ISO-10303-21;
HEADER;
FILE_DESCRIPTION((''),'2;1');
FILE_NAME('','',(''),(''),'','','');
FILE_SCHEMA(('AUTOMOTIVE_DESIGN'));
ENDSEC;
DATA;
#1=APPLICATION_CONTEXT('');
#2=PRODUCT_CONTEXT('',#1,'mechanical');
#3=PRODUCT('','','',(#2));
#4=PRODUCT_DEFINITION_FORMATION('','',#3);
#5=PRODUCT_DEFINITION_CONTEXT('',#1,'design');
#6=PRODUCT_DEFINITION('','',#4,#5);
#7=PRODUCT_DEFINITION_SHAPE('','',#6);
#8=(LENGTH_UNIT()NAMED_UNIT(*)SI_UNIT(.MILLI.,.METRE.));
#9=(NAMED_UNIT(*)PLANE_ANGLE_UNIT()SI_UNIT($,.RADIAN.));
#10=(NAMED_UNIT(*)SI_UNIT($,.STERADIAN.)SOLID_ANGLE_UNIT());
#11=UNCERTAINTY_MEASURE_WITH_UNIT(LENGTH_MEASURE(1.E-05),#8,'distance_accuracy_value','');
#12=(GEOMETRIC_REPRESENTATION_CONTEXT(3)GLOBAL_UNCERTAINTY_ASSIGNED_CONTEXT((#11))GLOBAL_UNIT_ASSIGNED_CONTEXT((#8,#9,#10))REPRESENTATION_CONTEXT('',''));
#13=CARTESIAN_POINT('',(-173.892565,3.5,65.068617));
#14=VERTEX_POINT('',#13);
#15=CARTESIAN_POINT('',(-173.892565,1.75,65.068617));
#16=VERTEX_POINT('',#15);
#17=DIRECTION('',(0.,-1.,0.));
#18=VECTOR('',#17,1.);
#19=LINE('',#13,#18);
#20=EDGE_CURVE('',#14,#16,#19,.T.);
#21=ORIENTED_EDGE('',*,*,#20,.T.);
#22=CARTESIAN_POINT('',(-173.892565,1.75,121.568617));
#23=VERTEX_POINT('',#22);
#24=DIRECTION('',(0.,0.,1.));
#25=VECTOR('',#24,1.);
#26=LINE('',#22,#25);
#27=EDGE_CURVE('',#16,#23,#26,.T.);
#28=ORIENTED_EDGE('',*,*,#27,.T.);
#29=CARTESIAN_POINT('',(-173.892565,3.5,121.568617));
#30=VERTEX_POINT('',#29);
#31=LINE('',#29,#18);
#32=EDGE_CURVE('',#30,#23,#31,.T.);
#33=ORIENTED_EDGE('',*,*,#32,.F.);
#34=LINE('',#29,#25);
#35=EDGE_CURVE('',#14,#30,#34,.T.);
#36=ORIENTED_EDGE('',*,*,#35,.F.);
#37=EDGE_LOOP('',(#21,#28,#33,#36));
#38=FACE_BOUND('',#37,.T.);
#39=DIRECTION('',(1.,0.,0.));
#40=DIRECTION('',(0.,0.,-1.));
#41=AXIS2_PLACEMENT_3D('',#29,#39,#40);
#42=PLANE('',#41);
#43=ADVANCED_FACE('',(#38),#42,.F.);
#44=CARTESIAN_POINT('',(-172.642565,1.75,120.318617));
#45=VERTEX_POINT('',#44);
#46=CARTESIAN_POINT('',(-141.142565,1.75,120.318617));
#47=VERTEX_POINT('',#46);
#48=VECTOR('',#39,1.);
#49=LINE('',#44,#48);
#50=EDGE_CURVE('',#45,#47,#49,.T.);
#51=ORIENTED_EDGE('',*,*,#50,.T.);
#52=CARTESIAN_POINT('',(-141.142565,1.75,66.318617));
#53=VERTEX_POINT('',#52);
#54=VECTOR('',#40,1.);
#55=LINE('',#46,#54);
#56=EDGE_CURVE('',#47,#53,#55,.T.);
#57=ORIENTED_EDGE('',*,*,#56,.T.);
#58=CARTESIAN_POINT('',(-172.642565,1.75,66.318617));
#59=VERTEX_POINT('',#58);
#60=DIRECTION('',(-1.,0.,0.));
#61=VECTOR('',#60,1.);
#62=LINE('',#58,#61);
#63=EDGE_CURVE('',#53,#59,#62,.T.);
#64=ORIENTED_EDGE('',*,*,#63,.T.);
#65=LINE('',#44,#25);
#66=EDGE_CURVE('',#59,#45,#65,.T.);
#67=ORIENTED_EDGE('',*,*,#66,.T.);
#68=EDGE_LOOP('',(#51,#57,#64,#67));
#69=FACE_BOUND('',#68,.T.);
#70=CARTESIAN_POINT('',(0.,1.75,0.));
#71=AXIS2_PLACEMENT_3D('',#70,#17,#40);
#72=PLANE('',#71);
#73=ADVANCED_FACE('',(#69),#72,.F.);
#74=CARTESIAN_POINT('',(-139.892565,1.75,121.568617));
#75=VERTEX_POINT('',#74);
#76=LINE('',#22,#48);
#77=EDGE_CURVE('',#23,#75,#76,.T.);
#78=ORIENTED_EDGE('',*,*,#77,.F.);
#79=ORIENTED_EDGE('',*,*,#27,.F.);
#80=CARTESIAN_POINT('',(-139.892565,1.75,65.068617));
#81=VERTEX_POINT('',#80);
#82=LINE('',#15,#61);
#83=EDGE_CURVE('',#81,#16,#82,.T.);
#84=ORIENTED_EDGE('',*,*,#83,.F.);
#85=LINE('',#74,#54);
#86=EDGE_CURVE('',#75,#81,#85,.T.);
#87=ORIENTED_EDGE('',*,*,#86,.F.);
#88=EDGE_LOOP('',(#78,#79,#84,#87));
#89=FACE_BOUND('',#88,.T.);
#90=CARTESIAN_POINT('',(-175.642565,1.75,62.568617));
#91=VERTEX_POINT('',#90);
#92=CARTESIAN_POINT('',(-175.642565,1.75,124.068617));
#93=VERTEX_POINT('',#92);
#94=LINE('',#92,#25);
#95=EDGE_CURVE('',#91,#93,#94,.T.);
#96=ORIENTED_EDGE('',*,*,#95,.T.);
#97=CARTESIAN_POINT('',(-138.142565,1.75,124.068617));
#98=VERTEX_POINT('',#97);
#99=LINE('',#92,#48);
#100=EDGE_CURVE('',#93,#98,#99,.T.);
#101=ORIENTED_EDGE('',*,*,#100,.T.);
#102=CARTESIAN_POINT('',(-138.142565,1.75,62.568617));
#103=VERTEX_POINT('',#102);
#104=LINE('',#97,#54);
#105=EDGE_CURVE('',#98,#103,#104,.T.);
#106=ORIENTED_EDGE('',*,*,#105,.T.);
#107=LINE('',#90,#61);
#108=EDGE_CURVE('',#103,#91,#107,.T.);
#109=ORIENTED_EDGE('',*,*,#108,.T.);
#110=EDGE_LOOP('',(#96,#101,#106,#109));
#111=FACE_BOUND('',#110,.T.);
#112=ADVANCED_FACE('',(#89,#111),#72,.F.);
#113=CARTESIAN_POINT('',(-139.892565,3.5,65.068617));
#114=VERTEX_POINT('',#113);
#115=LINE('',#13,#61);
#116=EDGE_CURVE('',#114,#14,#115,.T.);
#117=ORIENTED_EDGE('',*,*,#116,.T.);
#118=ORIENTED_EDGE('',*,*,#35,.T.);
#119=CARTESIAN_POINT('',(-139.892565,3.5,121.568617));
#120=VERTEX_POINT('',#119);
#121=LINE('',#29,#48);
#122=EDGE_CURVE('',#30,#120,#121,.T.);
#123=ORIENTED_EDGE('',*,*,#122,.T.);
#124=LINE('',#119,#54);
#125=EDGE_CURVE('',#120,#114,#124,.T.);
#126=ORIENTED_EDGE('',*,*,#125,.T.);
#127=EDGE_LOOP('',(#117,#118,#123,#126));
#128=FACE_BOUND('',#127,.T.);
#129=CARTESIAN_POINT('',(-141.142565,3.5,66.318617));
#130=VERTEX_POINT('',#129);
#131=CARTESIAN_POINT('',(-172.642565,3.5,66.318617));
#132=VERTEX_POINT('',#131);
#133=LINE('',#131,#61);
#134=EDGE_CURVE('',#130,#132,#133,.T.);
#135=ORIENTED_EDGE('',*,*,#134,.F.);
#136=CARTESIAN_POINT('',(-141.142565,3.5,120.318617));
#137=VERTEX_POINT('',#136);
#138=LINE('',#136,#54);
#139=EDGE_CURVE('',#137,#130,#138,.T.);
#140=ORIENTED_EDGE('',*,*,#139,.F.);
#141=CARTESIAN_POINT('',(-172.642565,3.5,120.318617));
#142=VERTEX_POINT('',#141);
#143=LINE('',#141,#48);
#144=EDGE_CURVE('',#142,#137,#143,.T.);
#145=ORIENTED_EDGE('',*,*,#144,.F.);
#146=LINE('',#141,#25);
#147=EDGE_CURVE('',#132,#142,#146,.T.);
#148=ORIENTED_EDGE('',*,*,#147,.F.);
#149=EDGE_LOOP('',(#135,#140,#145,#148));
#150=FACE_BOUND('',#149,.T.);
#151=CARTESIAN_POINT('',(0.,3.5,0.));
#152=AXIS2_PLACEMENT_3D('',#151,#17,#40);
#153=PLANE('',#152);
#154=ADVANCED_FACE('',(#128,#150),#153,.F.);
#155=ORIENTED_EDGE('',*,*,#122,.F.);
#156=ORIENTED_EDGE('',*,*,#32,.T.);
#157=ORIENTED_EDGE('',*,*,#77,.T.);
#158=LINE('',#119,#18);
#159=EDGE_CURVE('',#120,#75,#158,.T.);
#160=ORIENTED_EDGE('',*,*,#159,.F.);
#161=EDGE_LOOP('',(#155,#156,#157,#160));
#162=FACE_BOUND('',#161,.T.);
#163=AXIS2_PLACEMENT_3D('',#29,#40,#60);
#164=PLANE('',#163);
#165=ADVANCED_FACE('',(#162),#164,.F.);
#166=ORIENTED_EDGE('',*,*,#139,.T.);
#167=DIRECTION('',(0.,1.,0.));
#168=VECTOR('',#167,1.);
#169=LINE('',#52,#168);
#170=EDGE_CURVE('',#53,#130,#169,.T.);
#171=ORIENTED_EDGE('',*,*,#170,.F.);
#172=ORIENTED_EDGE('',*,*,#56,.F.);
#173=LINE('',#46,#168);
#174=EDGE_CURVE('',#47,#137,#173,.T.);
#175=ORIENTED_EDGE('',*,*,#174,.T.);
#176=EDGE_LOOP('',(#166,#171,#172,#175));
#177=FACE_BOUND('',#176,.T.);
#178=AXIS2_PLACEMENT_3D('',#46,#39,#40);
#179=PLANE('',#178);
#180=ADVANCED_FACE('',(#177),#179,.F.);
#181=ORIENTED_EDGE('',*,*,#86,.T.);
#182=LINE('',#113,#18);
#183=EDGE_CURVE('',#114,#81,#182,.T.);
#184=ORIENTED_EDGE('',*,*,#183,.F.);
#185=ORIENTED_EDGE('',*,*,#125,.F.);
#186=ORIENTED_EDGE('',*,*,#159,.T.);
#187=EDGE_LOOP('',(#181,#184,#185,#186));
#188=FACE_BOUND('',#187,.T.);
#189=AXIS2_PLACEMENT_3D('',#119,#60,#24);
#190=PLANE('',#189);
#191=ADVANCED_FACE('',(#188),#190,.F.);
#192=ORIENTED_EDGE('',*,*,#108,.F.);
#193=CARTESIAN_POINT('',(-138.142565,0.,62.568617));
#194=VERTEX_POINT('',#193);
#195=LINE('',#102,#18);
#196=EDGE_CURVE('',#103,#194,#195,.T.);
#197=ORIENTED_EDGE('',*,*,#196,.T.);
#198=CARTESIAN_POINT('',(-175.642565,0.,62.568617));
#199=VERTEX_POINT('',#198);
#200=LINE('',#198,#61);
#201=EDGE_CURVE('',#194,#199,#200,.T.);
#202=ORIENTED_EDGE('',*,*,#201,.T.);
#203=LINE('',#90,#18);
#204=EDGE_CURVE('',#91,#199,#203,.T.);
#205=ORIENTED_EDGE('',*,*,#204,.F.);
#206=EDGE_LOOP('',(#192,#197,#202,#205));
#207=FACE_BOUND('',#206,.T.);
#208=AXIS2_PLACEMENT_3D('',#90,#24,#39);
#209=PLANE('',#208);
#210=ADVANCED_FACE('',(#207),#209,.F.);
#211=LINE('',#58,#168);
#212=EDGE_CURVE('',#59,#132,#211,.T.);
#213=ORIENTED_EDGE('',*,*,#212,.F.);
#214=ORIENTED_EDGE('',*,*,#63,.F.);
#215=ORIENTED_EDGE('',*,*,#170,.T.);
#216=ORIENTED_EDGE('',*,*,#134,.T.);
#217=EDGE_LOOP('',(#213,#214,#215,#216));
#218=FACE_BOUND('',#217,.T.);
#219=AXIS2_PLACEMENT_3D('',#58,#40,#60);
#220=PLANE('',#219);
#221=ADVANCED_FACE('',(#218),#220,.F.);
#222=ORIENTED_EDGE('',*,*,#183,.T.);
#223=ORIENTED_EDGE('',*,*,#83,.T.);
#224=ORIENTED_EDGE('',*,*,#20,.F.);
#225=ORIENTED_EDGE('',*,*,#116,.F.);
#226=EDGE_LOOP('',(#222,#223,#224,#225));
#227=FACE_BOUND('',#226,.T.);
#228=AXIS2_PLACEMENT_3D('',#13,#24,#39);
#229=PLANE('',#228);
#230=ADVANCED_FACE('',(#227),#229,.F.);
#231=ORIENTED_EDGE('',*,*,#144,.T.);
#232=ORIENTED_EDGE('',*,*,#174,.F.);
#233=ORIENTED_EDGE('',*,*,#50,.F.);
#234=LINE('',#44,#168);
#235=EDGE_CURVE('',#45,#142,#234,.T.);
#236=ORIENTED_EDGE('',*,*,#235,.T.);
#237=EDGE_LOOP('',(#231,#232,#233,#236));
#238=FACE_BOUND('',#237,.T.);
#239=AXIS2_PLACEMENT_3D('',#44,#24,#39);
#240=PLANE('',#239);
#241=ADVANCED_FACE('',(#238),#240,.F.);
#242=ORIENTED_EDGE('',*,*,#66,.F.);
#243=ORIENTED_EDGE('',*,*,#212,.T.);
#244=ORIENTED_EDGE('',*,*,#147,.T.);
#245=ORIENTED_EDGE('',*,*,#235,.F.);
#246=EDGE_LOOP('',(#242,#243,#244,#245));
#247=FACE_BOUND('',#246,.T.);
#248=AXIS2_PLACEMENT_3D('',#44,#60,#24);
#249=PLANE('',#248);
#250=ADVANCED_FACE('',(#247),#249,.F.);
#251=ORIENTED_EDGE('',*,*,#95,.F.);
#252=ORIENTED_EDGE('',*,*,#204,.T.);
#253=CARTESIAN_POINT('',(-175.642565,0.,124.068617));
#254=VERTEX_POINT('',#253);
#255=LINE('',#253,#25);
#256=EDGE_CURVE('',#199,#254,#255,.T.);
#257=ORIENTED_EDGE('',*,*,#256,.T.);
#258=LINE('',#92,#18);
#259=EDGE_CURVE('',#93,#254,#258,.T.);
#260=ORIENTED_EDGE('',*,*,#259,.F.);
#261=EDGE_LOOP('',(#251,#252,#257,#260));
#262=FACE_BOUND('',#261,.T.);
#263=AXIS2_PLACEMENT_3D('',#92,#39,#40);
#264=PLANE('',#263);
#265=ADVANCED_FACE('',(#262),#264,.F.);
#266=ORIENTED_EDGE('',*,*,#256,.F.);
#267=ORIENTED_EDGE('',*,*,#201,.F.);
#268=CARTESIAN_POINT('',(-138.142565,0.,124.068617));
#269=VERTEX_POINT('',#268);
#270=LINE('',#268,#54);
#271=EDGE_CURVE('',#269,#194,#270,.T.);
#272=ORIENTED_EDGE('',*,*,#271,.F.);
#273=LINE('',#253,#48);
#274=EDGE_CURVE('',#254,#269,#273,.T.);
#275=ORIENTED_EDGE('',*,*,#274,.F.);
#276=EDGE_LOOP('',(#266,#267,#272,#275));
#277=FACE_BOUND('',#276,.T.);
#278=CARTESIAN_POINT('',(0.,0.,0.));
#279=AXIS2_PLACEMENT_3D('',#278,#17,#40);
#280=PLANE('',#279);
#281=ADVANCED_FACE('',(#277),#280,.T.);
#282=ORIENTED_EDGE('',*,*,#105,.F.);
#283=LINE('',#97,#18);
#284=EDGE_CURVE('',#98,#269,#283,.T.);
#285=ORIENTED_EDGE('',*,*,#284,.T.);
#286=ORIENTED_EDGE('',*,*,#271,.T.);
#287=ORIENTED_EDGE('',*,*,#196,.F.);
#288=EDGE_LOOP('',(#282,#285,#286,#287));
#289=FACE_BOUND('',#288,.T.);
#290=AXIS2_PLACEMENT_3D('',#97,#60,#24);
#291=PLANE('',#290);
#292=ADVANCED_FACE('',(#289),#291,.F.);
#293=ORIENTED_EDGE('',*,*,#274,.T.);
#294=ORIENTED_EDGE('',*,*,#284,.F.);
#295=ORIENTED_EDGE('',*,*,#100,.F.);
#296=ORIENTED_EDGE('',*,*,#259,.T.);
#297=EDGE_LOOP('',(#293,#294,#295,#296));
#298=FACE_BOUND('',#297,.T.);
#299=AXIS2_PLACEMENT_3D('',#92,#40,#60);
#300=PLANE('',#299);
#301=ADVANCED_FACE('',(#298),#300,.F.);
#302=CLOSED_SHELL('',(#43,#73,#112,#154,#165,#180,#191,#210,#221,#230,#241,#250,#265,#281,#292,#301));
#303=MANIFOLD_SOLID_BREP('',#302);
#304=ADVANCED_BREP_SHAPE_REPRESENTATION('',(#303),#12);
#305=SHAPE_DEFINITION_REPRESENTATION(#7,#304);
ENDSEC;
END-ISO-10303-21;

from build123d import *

# Parameters (mm, degrees)
SKETCH1_W           = 37.5
SKETCH1_H           = 61.5
BOSS_EXTRUDE1_DEPTH = 1.75
SKETCH2_W           = 34
SKETCH2_H           = 56.5
BOSS_EXTRUDE2_DEPTH = 1.75
SKETCH3_W           = 31.5
SKETCH3_H           = 54
CUT_EXTRUDE1_DEPTH  = 1.75


with BuildPart() as part:
    # Sketch1 → Boss-Extrude1 (new body)
    with BuildSketch(Plane(origin=(0, 0, 0), x_dir=(1, 0, 0), z_dir=(0, 1, 0))):
        with Locations((-156.892564619, -93.318616843)):
            Rectangle(SKETCH1_W, SKETCH1_H)
    extrude(amount=BOSS_EXTRUDE1_DEPTH)

    # Sketch2 → Boss-Extrude2 (add)
    with BuildSketch(Plane(origin=(0, 1.75, 0), x_dir=(1, 0, 0), z_dir=(0, 1, 0))):
        with Locations((-156.892564619, -93.318616843)):
            Rectangle(SKETCH2_W, SKETCH2_H)
    extrude(amount=BOSS_EXTRUDE2_DEPTH)

    # Sketch3 → Cut-Extrude1 (cut)
    with BuildSketch(Plane(origin=(0, 3.5, 0), x_dir=(1, 0, 0), z_dir=(0, 1, 0))):
        with Locations((-156.892564619, -93.318616843)):
            Rectangle(SKETCH3_W, SKETCH3_H)
    extrude(amount=-CUT_EXTRUDE1_DEPTH, mode=Mode.SUBTRACT)


solid = part.part
